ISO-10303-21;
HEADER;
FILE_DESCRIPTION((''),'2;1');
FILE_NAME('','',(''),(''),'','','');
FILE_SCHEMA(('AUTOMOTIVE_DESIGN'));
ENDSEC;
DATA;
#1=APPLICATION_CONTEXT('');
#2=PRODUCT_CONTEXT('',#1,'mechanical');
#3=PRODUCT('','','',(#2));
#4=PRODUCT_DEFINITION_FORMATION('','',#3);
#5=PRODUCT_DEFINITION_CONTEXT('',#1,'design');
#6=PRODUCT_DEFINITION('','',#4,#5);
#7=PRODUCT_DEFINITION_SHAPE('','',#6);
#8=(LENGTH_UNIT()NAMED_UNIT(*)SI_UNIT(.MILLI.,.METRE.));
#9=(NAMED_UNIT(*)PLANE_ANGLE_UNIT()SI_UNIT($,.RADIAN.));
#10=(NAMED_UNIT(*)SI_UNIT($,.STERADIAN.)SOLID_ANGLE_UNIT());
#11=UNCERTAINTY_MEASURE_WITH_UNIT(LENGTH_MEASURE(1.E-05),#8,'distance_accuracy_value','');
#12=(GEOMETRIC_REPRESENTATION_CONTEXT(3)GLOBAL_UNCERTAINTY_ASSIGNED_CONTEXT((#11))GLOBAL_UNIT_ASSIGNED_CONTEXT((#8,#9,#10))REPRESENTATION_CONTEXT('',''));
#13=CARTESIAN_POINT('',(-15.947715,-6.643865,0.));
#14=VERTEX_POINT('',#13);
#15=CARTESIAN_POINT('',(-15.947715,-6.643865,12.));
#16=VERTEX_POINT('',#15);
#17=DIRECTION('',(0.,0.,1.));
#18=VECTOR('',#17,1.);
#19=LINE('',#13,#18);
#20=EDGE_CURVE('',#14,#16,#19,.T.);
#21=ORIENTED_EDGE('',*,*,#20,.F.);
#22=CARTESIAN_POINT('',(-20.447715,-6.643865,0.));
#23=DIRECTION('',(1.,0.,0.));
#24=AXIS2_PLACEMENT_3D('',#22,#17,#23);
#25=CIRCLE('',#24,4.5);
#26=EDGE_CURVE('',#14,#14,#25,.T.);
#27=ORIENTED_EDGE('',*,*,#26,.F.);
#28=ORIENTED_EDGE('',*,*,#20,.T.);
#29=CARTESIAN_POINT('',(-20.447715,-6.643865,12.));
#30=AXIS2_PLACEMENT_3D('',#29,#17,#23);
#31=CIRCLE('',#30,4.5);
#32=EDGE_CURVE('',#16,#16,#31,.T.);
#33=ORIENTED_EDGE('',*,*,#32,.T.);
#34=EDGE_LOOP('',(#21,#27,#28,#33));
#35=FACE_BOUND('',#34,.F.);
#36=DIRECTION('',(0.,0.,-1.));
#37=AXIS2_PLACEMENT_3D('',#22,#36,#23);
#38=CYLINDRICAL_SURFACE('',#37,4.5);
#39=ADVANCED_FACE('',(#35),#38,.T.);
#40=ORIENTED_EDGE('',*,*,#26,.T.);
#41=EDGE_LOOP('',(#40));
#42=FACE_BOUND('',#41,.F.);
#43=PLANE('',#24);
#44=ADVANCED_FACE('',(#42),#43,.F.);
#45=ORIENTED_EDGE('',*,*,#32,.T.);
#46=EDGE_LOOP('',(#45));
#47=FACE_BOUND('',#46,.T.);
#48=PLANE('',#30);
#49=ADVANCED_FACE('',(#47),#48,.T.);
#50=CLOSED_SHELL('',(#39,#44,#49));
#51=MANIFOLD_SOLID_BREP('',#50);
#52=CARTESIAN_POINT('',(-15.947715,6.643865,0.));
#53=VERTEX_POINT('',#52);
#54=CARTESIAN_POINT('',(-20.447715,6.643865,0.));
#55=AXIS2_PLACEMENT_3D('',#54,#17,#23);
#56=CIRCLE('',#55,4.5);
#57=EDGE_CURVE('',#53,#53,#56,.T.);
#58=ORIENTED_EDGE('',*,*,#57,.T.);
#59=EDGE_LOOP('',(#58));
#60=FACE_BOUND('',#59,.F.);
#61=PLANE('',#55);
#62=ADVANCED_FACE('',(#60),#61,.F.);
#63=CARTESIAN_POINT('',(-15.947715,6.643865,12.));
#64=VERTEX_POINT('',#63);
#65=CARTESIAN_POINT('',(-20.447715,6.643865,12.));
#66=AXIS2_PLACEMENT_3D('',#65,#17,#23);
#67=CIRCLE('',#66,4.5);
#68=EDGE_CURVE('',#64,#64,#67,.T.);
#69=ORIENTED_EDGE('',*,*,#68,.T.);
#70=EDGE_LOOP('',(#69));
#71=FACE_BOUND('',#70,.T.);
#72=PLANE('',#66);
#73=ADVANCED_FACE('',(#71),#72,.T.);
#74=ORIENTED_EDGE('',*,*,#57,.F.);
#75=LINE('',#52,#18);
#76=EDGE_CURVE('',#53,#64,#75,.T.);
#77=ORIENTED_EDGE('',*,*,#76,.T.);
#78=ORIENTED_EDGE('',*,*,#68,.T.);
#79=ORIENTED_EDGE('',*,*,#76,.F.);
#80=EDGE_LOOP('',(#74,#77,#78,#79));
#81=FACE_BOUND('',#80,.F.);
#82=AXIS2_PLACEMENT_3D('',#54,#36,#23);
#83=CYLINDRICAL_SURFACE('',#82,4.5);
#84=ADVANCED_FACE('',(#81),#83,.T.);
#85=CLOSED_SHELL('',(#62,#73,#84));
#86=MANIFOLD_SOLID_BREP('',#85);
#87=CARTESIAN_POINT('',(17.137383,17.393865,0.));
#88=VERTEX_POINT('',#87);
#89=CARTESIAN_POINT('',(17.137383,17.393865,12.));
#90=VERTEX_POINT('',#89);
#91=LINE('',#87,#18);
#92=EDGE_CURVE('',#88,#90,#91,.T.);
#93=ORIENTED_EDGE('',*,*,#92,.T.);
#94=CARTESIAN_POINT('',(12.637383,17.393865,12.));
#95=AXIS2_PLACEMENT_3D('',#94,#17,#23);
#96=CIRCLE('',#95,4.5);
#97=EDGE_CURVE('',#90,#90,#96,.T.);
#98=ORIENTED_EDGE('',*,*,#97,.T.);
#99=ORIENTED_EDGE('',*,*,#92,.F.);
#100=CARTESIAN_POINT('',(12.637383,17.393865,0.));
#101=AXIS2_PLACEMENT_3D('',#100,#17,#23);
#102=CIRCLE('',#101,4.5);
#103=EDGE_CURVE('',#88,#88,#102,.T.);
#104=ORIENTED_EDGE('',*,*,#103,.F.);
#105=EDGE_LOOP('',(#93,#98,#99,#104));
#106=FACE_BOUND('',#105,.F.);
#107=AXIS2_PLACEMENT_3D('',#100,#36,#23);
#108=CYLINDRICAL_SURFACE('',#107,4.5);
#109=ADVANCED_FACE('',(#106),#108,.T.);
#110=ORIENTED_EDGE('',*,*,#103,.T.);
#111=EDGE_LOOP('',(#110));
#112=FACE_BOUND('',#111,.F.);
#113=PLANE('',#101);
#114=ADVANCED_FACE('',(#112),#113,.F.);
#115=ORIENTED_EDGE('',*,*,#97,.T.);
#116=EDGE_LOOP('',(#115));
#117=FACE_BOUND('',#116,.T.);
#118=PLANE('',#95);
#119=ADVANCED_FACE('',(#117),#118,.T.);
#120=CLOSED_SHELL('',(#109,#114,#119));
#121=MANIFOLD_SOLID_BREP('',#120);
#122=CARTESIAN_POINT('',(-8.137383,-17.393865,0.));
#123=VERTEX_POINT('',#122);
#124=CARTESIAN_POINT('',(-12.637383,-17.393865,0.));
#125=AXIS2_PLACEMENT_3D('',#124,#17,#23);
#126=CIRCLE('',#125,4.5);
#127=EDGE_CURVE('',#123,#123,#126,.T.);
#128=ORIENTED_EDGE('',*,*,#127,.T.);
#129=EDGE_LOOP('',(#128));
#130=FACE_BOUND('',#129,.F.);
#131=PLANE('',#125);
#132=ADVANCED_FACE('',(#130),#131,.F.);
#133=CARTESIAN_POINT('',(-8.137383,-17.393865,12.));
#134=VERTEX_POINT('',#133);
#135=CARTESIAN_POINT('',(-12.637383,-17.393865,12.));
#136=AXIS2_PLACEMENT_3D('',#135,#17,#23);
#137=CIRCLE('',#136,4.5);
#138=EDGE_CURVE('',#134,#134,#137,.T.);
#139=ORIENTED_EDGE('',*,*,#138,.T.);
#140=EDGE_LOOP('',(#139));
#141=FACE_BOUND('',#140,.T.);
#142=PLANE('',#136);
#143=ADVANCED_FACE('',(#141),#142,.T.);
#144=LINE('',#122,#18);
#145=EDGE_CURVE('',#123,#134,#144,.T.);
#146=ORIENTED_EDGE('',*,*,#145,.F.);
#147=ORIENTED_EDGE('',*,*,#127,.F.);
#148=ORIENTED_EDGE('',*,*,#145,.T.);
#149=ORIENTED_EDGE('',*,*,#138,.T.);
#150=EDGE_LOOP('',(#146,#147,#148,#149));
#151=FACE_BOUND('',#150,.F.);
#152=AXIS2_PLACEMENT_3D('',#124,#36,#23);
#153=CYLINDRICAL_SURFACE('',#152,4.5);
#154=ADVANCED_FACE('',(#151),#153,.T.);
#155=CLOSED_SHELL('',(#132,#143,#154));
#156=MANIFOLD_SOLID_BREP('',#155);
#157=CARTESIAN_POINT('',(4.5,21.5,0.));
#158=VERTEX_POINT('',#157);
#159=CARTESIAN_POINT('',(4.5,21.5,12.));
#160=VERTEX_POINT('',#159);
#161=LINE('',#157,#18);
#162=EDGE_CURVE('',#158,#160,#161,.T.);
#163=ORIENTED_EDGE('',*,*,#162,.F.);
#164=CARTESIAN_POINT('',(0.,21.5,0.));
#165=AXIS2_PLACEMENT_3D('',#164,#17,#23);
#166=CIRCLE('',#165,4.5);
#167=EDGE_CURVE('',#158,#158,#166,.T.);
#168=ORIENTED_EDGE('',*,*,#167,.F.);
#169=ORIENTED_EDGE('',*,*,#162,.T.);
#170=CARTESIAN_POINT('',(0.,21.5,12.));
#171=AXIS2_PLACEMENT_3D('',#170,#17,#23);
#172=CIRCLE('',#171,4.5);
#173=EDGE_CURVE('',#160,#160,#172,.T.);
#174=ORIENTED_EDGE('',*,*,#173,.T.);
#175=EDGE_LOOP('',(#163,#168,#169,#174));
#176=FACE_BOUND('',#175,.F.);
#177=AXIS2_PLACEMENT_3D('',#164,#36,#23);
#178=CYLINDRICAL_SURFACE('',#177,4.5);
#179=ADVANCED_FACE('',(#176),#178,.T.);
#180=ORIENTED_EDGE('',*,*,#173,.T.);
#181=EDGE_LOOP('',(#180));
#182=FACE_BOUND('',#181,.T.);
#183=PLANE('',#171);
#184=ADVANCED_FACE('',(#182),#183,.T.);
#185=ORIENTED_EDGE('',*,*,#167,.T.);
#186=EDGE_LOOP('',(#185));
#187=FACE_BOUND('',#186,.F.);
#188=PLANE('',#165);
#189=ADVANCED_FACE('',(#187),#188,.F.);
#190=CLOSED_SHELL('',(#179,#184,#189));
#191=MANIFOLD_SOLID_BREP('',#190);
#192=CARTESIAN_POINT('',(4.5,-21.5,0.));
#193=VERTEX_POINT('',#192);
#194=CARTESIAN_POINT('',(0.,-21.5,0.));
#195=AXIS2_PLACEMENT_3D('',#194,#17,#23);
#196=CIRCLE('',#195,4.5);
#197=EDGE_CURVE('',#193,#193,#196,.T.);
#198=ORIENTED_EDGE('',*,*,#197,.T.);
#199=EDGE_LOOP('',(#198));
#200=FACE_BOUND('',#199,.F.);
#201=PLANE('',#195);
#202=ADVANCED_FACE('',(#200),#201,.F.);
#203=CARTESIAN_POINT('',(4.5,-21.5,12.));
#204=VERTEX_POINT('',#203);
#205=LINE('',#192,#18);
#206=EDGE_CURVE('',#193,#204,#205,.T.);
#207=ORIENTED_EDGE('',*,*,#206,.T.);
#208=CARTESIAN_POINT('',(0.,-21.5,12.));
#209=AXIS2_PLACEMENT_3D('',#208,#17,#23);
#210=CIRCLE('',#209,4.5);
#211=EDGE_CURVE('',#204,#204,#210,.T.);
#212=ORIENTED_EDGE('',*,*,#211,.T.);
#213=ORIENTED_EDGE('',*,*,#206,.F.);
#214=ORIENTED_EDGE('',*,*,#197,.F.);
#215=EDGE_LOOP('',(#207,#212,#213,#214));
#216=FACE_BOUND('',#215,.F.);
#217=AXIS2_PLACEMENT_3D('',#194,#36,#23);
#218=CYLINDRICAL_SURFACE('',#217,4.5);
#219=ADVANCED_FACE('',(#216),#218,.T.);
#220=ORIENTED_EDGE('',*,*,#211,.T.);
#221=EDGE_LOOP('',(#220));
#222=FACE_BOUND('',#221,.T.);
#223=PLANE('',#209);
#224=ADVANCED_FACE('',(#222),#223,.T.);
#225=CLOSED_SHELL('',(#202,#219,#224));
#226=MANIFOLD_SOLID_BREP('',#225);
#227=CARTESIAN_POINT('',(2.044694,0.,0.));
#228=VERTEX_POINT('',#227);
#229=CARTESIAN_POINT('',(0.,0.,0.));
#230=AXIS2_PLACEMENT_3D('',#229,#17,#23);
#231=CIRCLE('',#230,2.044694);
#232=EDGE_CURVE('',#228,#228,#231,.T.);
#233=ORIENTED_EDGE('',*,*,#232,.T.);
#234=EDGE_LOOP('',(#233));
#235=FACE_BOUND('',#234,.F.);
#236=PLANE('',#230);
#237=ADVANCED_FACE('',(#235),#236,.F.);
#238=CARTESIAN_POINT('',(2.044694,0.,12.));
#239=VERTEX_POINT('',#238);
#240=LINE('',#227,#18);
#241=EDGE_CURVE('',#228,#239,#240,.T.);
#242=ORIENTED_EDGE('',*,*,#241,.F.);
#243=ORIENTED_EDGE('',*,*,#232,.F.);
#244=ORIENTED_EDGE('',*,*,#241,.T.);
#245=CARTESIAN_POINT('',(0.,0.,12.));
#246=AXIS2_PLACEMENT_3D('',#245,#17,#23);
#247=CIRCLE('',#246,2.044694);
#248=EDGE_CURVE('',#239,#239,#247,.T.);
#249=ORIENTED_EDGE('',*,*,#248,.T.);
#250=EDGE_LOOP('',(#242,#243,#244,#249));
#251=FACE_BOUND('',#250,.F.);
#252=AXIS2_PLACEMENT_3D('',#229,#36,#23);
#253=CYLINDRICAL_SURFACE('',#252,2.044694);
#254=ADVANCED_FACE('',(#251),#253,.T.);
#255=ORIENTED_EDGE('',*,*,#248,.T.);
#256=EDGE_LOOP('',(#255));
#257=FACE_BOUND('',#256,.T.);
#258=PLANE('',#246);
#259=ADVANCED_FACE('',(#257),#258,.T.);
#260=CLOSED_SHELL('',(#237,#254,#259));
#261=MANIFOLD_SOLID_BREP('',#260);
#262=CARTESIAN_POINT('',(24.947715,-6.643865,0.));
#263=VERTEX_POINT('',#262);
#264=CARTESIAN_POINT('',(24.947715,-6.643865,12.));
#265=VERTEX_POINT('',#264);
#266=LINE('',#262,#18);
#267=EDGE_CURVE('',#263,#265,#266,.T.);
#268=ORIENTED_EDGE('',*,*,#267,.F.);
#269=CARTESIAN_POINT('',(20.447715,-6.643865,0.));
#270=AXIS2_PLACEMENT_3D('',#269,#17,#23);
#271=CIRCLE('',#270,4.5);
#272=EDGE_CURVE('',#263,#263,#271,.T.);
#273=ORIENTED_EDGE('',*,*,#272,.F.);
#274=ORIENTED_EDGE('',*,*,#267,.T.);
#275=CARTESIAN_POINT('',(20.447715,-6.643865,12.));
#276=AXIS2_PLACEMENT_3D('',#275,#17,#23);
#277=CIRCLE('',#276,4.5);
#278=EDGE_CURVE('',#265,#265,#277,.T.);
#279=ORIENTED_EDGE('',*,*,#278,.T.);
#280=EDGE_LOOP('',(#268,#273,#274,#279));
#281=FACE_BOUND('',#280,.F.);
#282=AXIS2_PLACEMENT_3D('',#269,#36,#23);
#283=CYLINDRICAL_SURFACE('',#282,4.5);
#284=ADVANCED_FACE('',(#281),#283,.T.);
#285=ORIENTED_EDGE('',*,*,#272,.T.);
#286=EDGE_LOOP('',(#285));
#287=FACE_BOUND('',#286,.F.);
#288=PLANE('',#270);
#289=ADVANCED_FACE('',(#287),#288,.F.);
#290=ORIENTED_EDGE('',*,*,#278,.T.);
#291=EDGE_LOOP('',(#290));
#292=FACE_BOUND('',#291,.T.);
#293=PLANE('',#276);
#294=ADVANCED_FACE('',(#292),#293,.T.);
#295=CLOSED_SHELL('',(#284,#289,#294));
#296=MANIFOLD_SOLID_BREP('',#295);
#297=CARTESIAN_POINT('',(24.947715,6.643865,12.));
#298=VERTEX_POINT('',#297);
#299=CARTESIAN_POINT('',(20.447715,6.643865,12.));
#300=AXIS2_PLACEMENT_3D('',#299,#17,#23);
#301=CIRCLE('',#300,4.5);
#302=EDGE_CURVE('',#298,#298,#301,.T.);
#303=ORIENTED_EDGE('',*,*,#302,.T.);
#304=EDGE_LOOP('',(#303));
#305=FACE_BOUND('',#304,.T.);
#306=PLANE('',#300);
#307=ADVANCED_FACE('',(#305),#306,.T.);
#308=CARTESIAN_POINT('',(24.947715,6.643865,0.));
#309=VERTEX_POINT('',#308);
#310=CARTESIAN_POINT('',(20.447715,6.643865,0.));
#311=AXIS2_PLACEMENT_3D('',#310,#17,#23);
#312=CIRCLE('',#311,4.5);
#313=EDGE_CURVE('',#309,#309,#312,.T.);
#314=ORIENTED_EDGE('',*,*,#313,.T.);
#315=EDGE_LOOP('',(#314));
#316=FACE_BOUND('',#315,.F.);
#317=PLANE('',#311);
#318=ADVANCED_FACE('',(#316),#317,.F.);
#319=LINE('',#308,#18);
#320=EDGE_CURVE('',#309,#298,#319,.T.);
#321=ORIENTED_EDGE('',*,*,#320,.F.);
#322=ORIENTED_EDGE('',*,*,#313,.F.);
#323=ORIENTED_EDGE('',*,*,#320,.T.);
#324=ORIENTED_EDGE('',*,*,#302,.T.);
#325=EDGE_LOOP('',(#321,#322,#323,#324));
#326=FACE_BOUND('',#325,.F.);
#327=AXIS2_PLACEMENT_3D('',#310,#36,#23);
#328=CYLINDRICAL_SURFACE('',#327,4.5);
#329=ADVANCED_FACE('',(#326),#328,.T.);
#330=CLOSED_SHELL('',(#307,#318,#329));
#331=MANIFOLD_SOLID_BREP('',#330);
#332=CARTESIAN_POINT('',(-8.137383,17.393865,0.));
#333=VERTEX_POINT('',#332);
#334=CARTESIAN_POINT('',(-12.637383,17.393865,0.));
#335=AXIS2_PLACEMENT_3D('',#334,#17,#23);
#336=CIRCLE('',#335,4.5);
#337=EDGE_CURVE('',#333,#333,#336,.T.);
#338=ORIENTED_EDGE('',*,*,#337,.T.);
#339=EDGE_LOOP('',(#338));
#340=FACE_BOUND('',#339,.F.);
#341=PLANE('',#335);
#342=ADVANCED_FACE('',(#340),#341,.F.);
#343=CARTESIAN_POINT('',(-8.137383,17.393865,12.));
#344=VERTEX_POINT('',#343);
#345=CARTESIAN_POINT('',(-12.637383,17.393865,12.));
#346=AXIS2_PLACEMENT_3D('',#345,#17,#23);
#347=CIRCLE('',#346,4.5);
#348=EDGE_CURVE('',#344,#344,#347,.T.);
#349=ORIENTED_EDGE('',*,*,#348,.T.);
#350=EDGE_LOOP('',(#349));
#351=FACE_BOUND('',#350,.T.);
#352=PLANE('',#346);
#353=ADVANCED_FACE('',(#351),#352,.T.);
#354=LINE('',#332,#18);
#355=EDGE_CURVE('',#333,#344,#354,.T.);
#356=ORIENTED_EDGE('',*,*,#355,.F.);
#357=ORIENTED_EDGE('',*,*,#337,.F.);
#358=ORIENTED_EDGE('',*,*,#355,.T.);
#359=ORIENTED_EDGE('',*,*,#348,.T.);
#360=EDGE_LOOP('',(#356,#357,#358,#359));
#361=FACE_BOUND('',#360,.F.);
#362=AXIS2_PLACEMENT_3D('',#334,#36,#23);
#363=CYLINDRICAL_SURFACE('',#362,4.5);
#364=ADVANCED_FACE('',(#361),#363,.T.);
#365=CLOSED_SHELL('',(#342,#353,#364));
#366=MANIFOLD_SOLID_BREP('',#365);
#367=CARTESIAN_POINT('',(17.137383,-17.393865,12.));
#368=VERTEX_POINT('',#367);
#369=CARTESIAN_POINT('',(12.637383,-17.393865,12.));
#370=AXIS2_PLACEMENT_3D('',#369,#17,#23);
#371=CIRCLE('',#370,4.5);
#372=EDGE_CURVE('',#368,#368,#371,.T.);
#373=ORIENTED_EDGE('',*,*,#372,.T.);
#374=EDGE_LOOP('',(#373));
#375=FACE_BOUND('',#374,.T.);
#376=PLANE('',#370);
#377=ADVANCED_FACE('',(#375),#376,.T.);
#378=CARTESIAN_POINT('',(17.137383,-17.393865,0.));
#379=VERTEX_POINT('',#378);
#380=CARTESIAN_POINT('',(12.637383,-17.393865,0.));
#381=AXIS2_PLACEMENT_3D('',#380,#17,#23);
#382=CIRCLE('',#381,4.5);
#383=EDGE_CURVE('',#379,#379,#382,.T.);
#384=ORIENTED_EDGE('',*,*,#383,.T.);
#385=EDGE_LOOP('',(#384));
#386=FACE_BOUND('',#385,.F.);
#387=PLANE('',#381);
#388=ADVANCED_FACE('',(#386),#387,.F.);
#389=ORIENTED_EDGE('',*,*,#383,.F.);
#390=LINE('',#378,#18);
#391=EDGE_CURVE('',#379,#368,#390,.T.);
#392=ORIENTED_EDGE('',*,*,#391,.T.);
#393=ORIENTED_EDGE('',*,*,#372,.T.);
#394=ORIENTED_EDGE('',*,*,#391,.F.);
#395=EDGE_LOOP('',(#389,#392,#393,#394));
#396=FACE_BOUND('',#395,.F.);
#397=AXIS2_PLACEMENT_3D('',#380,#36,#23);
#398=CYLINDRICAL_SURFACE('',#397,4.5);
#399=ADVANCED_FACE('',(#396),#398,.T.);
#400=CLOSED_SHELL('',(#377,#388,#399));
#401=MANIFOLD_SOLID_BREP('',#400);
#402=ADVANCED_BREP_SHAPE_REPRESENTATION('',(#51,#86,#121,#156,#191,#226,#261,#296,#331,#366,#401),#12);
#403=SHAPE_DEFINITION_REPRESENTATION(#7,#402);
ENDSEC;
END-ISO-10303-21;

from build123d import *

# Parameters (mm, degrees)
F0_R     = 4.5
F0_R_2   = 2.044694
F1_DEPTH = 12


with BuildPart() as f1:
    # F0 (on Top) → F1 (new body)
    with BuildSketch(Plane.XY):
        with Locations((12.637383, -17.393865)):
            Circle(F0_R)
        with Locations((20.447715, -6.643865)):
            Circle(F0_R)
        with Locations((0, -21.5)):
            Circle(F0_R)
        with Locations((20.447715, 6.643865)):
            Circle(F0_R)
        with Locations((12.637383, 17.393865)):
            Circle(F0_R)
        with Locations((-12.637383, -17.393865)):
            Circle(F0_R)
        with Locations((-20.447715, -6.643865)):
            Circle(F0_R)
        with Locations((-20.447715, 6.643865)):
            Circle(F0_R)
        with Locations((-12.637383, 17.393865)):
            Circle(F0_R)
        with Locations((0, 21.5)):
            Circle(F0_R)
        Circle(F0_R_2)
    extrude(amount=F1_DEPTH)


solid = f1.part
